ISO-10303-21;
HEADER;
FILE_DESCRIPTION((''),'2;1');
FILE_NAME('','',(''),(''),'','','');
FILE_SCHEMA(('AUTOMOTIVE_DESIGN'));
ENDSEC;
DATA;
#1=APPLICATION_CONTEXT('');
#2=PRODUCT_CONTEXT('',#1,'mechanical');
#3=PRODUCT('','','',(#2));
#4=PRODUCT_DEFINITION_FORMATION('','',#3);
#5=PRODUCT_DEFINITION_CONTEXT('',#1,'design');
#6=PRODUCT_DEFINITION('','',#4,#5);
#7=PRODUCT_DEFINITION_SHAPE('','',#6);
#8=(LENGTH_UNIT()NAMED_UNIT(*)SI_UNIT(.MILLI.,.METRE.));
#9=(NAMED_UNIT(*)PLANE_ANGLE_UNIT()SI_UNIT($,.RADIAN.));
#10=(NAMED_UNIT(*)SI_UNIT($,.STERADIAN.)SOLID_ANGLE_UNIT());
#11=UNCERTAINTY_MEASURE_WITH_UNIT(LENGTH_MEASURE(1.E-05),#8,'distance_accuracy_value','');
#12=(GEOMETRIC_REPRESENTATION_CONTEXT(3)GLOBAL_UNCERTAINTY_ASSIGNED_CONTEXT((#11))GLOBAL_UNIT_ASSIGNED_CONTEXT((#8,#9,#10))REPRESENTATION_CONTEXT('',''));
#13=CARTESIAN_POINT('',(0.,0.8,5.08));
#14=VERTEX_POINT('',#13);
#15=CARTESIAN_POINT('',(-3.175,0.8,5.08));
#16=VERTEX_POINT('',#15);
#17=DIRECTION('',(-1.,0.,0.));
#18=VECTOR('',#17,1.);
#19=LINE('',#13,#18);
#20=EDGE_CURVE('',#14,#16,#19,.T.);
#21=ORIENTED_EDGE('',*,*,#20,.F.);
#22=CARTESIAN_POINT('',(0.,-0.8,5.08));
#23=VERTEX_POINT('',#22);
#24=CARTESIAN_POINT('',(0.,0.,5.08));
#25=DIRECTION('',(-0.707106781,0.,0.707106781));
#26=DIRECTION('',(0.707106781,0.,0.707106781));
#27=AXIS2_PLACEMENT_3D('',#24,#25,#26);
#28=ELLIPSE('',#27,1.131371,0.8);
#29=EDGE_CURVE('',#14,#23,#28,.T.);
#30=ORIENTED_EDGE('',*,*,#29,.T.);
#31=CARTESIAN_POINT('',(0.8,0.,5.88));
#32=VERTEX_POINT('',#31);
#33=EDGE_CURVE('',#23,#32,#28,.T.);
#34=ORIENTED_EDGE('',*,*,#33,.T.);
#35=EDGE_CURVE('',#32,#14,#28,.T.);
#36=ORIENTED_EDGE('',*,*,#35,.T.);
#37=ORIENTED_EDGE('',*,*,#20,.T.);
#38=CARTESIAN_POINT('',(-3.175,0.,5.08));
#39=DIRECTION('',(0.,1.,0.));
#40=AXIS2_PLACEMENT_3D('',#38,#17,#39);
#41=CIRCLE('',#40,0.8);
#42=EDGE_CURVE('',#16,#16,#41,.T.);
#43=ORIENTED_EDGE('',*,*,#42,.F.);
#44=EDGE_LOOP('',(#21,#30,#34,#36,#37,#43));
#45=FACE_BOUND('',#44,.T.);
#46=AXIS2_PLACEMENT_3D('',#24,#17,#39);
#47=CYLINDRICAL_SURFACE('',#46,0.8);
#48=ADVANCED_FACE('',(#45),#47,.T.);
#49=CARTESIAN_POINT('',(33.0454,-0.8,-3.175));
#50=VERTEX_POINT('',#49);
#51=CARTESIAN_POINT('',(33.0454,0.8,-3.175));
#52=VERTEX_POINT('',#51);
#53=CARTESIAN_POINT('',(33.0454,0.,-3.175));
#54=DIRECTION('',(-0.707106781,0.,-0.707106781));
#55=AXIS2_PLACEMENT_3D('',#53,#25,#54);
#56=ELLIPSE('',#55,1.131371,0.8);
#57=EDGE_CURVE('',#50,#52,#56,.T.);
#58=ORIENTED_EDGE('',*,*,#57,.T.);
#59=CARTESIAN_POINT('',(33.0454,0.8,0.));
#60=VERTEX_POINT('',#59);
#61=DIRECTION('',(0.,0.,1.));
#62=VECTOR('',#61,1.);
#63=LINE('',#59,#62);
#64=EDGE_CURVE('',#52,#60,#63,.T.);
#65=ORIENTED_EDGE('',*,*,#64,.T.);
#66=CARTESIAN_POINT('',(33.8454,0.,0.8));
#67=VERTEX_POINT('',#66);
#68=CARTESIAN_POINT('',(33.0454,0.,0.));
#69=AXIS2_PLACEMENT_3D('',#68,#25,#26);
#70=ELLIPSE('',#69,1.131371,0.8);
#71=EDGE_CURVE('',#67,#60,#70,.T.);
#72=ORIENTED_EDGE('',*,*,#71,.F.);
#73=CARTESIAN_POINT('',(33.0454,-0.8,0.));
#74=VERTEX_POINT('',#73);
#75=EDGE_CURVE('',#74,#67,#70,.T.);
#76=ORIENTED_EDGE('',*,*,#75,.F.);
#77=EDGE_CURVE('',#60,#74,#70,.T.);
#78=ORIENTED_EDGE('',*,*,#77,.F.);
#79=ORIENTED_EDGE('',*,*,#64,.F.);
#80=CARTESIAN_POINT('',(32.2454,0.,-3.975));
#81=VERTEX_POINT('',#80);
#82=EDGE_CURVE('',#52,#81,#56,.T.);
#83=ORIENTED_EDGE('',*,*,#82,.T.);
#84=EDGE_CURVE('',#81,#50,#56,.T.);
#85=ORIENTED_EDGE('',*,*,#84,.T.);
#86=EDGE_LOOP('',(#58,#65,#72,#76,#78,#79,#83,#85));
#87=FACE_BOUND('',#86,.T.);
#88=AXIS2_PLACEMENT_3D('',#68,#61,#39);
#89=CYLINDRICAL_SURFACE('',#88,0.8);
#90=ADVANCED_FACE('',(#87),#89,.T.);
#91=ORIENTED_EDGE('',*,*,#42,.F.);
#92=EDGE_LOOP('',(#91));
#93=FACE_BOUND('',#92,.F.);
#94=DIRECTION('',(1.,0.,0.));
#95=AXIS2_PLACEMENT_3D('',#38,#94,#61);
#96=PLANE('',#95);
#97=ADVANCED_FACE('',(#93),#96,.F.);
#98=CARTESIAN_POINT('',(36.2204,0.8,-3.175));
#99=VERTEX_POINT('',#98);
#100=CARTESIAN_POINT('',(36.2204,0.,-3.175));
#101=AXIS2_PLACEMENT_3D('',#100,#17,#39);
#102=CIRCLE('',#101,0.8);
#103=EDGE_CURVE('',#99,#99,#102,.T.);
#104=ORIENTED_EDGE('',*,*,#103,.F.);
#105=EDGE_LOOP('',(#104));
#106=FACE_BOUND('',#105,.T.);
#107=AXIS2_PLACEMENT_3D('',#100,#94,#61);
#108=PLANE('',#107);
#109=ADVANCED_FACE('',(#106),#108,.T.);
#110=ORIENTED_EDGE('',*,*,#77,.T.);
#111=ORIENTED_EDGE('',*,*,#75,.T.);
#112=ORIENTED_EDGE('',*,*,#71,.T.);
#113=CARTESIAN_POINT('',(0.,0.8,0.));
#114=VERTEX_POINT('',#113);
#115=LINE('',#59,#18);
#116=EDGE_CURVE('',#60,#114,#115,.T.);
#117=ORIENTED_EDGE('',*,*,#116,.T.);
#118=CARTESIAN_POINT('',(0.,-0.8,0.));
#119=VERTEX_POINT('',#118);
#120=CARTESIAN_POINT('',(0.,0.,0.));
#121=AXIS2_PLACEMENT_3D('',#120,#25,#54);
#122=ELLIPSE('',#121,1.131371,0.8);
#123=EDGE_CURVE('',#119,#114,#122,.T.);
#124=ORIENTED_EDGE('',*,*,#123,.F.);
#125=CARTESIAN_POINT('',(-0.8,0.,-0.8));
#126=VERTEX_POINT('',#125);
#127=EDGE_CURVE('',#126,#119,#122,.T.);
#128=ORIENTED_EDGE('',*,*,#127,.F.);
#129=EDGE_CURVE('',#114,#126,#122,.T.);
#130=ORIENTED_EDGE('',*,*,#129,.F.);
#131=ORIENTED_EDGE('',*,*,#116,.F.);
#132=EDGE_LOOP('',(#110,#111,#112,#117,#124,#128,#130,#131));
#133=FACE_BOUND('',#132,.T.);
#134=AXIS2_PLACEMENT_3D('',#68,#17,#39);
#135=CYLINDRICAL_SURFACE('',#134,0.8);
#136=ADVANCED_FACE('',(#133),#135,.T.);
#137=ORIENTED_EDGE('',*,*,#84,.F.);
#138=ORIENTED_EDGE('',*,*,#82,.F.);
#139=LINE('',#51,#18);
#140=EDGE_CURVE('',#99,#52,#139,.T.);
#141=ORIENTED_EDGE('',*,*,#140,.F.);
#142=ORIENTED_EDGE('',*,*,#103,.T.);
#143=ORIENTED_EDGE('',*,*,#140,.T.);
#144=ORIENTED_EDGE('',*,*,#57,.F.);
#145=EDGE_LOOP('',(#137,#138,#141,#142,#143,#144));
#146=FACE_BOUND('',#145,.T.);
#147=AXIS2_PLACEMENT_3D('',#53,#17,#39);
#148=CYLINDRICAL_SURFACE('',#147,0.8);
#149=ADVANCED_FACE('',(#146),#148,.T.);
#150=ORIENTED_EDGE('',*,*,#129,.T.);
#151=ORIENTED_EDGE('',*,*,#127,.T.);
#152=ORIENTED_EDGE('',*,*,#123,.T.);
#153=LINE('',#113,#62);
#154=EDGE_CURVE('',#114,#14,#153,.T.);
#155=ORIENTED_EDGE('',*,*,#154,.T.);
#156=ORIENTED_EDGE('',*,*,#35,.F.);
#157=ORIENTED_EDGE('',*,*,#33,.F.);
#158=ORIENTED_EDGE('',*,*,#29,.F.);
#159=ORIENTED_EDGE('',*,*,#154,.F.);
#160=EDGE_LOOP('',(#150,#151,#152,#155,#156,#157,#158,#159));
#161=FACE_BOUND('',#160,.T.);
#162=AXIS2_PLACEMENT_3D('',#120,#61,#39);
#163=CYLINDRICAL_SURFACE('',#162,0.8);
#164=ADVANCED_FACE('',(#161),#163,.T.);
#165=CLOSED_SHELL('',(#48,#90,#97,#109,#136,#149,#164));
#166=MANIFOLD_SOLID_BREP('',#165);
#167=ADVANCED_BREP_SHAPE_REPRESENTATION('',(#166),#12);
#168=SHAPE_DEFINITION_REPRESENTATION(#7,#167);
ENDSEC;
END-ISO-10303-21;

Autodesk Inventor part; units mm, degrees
ref_plane "XZ Plane" through (0, 0, 0) normal (0, 1, 0) x (-1, 0, 0)
ref_plane "XY Plane" through (0, 0, 0) normal (0, 0, 1) x (1, 0, 0)
sketch "Sketch1" plane through (0, 0, 0) normal (0, 1, 0) x (-1, 0, 0)
  line L0 (-33.0454, 0) -> (0, 0)
  line L1 (0, 0) -> (0, 5.08)
  line L2 (0, 5.08) -> (3.175, 5.08)
  line L3 (-33.0454, 0) -> (-33.0454, -3.175)
  line L4 (-33.0454, -3.175) -> (-36.2204, -3.175)
  dimension "d1" = 33.0454
  dimension "d6" = 5.08
  dimension "d7" = 3.175
  dimension "d8" = 3.175
  dimension "d9" = 3.175
ref_plane "Work Plane1" through (36.2204, 0, -3.175) normal (1, 0, 0) x (0, 1, 0)
sketch "Sketch2" plane through (36.2204, 0, -3.175) normal (1, 0, 0) x (0, 1, 0)
  circle A0 centre (0, 0) radius 0.8
  point P0 (0, 3.175)
  dimension "d10" = 1.6
sweep "Sweep1" add profiles "Sketch2" path "Sketch1"
properties part number "foreDivePlanesLinkage" material "Stainless Steel"
